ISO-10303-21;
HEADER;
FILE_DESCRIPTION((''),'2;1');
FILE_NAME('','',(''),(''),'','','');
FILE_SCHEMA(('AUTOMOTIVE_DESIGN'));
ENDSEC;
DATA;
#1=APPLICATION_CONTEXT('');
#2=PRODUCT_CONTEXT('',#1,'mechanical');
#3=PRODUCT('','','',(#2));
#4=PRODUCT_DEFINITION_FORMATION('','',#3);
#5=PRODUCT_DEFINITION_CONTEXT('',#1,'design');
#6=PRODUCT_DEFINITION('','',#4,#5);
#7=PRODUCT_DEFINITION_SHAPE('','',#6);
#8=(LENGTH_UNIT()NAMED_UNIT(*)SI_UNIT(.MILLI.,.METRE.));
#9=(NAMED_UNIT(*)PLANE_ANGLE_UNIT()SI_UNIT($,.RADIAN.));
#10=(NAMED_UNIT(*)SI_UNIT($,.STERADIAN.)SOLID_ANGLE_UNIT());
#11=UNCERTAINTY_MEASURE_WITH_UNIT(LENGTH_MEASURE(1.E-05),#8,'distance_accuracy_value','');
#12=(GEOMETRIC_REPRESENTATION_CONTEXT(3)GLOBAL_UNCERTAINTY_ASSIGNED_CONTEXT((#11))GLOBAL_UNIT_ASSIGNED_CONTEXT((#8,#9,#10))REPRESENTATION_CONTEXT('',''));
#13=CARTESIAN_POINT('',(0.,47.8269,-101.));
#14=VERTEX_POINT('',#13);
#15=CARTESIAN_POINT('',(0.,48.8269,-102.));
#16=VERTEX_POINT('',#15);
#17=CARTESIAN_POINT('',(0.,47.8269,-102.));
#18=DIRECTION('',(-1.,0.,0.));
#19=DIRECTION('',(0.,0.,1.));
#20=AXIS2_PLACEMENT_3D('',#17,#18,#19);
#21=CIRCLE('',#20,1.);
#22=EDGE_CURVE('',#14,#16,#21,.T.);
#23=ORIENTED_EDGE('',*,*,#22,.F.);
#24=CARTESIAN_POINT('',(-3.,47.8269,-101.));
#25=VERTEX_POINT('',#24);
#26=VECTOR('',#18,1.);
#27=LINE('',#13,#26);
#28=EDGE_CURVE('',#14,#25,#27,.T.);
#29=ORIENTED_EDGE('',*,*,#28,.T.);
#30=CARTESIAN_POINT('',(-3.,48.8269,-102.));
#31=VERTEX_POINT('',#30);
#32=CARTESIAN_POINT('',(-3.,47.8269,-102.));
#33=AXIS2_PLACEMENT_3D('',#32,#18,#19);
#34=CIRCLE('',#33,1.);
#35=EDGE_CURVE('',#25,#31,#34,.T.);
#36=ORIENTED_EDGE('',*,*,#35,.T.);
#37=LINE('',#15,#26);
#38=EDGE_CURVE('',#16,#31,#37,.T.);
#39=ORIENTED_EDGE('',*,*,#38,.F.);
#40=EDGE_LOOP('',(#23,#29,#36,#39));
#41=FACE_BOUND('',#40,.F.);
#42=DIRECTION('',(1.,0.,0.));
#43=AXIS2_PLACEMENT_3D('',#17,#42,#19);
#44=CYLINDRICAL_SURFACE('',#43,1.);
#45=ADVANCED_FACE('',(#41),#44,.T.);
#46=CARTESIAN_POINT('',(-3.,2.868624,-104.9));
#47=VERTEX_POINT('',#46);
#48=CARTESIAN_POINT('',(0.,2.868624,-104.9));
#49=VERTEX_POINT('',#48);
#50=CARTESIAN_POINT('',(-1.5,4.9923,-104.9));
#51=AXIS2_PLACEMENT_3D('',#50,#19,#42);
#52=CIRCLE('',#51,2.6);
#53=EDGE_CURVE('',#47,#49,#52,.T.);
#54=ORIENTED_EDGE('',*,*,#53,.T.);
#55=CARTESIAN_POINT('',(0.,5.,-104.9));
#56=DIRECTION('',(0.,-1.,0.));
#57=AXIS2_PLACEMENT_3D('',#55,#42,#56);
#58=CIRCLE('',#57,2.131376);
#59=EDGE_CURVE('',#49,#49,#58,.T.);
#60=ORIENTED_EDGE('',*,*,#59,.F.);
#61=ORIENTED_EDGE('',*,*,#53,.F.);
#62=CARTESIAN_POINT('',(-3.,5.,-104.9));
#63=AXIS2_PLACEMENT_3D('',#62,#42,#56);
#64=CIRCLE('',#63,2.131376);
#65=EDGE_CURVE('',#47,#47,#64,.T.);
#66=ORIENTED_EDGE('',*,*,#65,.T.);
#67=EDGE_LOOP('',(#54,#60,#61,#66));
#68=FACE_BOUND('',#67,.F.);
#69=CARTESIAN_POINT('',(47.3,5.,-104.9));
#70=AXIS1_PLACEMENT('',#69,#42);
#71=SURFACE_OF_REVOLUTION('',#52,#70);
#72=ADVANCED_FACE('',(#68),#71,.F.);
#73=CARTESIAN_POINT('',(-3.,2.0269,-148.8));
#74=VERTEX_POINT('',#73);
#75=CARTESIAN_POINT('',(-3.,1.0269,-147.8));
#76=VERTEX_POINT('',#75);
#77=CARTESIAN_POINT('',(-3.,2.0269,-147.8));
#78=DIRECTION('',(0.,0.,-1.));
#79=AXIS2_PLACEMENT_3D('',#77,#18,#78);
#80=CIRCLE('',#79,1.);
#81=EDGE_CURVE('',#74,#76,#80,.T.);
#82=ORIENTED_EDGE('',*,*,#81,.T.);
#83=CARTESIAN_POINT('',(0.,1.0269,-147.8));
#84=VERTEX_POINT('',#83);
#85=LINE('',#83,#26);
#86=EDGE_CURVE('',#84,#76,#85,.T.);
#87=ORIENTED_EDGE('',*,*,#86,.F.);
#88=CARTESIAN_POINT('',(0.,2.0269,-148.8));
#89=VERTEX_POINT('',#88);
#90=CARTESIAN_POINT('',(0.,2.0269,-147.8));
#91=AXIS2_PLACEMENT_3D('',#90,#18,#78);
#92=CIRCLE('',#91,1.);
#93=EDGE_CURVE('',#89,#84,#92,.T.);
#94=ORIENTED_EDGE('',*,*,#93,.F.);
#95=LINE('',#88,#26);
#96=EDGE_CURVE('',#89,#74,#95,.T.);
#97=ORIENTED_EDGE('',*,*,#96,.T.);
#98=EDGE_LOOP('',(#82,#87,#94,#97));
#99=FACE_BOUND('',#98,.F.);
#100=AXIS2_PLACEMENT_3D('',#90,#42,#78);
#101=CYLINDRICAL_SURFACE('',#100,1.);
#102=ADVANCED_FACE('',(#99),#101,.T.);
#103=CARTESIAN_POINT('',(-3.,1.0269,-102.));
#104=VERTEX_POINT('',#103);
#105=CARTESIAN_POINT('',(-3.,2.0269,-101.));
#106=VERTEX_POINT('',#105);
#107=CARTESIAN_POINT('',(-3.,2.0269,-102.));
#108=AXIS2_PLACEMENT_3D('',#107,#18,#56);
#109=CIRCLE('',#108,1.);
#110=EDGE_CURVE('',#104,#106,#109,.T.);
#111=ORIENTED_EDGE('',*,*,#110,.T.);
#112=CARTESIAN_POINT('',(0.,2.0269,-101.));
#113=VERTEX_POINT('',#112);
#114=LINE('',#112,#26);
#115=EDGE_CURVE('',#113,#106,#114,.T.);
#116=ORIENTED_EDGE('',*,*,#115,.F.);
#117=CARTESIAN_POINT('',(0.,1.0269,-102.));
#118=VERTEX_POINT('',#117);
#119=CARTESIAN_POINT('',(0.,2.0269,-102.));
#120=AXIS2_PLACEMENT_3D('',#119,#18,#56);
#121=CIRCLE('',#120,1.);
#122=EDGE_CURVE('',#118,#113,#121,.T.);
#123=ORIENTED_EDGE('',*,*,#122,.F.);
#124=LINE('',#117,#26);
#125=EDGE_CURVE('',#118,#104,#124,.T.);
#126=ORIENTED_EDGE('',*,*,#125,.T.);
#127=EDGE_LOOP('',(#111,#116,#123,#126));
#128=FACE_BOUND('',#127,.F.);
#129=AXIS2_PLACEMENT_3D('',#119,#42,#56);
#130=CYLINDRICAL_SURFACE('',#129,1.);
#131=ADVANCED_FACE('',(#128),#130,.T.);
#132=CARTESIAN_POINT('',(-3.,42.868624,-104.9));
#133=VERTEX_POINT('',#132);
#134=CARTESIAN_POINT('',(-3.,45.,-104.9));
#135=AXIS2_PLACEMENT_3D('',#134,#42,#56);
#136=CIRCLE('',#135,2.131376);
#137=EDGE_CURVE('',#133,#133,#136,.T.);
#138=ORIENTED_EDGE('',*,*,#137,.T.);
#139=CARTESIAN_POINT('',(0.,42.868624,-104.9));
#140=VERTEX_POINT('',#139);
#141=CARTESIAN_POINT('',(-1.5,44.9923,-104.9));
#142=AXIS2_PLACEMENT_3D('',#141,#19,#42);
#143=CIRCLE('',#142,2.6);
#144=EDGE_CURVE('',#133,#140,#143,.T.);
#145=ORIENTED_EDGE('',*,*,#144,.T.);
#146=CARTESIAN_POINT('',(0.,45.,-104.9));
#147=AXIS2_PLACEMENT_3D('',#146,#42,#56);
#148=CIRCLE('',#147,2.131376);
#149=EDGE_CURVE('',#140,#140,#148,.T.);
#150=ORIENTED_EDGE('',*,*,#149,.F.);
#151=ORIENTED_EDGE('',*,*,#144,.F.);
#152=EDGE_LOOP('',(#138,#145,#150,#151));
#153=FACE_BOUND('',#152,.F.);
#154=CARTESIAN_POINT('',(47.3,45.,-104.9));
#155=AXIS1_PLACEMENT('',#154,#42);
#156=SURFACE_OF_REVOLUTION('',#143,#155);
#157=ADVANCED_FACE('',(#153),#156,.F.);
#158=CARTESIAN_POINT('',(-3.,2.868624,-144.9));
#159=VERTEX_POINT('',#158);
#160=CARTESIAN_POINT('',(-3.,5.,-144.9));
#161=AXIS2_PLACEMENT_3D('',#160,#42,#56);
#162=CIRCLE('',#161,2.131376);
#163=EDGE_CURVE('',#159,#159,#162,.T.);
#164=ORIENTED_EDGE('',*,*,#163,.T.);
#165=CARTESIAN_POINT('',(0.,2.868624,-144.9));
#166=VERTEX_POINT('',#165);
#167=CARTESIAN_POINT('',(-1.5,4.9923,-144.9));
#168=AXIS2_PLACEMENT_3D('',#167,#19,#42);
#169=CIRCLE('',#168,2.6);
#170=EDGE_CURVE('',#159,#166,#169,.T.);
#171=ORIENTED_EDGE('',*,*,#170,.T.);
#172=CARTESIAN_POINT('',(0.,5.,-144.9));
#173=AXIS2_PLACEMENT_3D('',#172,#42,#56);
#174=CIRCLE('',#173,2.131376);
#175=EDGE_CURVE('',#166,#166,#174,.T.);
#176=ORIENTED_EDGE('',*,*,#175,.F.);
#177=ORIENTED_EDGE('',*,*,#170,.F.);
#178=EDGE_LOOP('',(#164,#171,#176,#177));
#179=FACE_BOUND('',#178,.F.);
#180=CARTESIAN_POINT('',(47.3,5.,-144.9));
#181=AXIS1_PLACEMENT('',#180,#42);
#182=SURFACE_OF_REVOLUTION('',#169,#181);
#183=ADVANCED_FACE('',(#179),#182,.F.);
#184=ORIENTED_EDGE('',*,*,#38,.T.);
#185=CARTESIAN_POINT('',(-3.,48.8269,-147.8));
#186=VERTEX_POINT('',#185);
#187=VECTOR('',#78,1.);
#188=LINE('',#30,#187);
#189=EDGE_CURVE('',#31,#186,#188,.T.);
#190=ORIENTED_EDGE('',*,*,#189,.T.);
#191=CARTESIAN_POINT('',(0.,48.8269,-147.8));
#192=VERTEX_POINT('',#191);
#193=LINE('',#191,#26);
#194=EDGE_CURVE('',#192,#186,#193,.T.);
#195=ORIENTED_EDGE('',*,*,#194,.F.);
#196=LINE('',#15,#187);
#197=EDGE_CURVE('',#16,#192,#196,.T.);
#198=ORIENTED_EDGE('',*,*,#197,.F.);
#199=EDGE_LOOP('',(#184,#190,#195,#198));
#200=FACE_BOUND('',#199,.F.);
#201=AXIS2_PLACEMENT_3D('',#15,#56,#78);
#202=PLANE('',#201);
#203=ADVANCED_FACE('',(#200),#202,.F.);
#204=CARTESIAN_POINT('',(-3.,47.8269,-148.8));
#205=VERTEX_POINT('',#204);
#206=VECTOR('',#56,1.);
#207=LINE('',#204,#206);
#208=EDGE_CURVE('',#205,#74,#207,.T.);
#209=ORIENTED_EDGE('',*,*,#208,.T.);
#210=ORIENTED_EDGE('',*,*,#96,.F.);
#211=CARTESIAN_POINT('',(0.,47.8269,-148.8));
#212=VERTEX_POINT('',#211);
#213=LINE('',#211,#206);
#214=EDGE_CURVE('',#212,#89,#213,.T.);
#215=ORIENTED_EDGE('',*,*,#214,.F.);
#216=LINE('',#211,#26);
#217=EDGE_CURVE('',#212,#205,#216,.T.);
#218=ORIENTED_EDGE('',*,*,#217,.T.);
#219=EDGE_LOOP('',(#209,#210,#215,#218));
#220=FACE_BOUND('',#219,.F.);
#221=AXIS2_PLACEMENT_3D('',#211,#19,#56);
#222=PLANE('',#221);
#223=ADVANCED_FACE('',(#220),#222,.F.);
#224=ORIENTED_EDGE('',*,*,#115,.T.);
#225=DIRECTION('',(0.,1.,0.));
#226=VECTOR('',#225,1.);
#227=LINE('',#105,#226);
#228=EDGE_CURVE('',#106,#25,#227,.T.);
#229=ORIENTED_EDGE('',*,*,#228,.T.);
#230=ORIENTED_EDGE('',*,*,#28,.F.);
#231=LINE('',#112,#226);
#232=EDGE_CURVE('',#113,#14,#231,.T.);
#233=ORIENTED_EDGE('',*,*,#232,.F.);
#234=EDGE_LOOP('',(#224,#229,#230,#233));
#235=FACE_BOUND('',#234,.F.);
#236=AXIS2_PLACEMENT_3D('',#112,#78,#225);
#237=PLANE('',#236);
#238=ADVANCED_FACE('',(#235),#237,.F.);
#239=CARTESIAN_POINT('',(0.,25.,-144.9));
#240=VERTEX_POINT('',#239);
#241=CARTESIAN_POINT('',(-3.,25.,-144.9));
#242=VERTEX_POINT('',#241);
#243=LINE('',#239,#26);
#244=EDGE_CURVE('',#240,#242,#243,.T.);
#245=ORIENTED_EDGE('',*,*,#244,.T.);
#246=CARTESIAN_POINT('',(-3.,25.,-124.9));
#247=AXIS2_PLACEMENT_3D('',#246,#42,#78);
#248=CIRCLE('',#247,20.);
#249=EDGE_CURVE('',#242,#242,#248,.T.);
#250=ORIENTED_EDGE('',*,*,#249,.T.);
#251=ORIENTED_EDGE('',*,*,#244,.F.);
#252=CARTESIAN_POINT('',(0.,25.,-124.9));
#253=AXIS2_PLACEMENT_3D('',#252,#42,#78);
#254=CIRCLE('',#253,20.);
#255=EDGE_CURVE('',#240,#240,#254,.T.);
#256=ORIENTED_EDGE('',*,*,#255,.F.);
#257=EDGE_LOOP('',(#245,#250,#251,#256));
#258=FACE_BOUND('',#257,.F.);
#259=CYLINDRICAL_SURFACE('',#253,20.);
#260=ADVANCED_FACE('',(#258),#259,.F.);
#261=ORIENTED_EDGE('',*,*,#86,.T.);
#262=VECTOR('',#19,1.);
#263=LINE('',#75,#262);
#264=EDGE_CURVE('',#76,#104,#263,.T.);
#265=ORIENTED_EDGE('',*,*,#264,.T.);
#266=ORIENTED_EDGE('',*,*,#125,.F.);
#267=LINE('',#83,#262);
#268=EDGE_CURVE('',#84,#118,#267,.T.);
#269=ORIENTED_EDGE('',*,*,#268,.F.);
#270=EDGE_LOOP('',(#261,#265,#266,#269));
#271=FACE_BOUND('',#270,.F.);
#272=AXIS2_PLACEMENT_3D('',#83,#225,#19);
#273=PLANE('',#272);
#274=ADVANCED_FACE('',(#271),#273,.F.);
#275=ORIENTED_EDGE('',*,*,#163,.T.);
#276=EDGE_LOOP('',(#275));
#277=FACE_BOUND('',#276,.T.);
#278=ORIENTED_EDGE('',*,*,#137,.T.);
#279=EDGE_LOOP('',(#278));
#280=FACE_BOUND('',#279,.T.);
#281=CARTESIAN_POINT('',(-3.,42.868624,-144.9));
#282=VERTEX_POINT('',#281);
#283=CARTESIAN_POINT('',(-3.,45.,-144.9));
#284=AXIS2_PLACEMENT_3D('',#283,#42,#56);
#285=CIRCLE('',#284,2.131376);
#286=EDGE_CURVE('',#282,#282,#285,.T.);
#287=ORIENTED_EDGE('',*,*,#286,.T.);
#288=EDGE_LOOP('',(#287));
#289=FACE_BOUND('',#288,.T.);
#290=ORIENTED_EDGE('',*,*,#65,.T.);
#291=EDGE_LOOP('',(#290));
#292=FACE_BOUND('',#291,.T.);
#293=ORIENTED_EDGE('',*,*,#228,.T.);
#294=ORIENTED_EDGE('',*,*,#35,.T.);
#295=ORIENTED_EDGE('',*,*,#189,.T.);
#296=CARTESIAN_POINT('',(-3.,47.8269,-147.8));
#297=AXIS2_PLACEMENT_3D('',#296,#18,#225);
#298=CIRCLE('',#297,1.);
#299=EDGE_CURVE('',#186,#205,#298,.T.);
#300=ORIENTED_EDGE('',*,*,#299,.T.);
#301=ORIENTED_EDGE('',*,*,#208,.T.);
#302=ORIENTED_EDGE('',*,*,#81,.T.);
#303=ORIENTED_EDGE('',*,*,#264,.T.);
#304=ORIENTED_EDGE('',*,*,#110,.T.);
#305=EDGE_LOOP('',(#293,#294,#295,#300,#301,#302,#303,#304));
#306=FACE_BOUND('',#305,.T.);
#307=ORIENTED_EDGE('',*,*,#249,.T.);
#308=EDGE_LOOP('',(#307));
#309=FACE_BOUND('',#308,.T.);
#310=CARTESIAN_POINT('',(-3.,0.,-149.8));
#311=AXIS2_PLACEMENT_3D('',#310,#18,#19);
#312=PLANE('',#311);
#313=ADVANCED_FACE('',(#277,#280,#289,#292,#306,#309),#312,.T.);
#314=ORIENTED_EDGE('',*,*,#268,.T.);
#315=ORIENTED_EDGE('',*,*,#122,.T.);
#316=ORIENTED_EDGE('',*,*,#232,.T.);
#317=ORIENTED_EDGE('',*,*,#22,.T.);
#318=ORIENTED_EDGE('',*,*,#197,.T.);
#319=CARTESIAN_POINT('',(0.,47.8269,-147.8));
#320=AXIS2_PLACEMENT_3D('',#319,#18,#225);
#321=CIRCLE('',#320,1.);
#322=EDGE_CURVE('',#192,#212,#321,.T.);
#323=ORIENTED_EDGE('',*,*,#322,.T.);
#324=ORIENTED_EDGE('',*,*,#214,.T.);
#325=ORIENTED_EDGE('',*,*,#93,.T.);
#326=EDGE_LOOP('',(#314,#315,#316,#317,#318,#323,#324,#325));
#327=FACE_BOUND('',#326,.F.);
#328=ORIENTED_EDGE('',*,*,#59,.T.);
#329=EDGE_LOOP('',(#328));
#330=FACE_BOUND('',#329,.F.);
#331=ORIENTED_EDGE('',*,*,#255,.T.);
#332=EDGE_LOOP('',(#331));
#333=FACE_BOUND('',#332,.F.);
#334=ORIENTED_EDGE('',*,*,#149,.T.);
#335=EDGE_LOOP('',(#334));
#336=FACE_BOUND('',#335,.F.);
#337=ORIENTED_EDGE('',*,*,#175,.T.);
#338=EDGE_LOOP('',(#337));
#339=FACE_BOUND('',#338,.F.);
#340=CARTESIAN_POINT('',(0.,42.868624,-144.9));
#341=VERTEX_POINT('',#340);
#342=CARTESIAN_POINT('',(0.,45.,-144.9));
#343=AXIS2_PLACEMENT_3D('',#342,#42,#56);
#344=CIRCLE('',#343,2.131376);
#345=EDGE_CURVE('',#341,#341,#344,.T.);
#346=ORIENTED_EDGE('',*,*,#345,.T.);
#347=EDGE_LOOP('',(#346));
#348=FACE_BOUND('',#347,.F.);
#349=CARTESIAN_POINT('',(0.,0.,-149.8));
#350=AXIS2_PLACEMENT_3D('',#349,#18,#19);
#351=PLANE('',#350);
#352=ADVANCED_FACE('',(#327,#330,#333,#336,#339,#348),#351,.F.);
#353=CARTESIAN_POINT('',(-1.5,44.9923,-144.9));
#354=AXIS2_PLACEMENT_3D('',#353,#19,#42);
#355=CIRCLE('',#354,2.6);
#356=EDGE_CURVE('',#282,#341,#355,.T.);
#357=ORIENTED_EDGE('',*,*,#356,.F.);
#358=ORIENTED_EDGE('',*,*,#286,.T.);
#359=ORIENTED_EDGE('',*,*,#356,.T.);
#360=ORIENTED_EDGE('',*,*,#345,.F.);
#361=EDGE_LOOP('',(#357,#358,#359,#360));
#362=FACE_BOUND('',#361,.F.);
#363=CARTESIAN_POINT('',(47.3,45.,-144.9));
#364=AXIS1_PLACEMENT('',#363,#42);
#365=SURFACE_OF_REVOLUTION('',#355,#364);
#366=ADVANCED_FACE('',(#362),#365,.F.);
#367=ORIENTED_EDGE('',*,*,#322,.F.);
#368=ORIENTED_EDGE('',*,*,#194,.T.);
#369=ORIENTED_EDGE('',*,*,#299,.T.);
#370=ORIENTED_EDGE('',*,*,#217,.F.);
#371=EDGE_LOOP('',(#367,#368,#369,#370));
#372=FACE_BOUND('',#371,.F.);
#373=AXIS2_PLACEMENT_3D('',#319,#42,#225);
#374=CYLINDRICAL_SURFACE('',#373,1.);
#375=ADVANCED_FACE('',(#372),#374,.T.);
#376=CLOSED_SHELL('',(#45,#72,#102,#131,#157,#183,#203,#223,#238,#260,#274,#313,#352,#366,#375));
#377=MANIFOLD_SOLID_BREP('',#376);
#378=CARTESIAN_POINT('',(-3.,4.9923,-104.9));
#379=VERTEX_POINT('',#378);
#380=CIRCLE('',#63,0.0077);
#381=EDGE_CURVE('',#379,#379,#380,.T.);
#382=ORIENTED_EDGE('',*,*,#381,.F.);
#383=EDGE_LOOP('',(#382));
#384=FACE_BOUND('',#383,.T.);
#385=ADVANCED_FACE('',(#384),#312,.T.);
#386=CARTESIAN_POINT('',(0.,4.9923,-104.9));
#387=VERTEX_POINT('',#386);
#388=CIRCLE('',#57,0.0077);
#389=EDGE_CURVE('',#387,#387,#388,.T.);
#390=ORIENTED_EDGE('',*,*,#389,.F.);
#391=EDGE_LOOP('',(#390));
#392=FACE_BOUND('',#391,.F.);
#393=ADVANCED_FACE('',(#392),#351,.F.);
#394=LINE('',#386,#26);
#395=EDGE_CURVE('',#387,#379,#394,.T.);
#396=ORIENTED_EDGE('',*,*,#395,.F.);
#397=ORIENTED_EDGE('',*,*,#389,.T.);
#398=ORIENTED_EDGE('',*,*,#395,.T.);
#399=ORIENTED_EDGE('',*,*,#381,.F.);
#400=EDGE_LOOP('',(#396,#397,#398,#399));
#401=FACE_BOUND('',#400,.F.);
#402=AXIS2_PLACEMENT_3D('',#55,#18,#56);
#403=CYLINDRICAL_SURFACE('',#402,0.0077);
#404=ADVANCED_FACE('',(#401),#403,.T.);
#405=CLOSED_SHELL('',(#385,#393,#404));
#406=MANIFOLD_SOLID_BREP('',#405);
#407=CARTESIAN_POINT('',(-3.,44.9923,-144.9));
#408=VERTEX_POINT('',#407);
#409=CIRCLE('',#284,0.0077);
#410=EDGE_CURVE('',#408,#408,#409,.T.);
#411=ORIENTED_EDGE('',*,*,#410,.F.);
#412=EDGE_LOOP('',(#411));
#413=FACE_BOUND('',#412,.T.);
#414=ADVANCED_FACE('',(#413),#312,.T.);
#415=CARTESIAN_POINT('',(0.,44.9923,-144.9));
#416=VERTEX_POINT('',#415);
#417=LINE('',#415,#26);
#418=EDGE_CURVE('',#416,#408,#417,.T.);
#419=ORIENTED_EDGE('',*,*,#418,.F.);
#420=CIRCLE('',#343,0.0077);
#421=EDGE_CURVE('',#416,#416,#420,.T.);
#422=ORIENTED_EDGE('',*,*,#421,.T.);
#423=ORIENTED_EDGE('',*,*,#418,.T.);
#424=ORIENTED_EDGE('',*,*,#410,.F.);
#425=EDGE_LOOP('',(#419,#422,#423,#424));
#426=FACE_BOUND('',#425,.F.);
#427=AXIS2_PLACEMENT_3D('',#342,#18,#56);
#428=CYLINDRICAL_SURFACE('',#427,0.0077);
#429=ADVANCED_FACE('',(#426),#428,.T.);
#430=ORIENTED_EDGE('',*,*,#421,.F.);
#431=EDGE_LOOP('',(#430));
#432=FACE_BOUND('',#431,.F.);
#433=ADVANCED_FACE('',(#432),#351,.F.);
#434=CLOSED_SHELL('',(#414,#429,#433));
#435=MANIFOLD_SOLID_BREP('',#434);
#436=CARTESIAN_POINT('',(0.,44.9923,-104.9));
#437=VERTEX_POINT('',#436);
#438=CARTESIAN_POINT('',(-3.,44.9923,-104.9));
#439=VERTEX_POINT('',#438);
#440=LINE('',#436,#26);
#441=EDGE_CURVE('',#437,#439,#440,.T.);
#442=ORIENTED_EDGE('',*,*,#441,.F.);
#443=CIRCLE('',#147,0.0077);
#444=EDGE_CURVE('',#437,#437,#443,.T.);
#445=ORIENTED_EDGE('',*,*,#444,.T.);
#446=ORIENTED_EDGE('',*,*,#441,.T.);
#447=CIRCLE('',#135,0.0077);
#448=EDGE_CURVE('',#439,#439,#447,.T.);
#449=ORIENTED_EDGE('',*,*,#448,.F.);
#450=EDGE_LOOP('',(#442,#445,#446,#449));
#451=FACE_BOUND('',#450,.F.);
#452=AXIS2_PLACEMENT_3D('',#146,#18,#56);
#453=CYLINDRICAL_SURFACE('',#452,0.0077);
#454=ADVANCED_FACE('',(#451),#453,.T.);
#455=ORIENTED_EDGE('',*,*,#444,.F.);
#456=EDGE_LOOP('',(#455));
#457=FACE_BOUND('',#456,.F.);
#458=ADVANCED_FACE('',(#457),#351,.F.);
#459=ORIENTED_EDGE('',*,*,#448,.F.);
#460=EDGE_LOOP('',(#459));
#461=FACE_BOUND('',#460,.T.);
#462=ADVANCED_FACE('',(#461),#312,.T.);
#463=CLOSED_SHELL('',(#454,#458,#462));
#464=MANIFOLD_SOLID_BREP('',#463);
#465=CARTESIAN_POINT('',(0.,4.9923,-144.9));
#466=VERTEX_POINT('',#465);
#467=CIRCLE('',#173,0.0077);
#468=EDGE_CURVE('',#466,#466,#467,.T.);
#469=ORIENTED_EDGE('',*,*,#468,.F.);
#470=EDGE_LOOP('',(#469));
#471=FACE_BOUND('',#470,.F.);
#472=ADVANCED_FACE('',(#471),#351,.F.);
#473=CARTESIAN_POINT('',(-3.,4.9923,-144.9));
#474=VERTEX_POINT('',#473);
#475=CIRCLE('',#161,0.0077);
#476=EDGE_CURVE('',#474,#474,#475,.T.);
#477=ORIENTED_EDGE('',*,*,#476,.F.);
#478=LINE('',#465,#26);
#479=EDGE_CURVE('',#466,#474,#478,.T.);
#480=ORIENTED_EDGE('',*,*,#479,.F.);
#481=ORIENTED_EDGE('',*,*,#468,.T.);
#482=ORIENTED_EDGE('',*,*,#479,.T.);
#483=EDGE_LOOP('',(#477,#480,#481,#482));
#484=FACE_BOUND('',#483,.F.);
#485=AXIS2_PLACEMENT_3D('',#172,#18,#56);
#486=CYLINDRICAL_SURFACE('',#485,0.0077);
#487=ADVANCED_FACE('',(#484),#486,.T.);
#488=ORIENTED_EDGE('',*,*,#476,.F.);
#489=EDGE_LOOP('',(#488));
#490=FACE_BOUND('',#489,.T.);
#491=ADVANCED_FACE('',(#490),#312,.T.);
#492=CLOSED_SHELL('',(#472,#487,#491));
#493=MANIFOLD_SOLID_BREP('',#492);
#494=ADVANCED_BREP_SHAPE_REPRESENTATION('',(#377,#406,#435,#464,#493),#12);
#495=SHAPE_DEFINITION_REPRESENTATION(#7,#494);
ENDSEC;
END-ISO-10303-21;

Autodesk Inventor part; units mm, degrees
ref_plane "YZ Plane" through (0, 0, 0) normal (1, 0, 0) x (0, 1, 0)
ref_plane "XZ Plane" through (0, 0, 0) normal (0, 1, 0) x (-1, 0, 0)
ref_plane "XY Plane" through (0, 0, 0) normal (0, 0, 1) x (1, 0, 0)
ref_plane "Arbeitsebene1" through (0, 0, -149.8) normal (-1, 0, 0) x (0, 0, 1)
sketch "Skizze1" plane through (0, 0, -149.8) normal (-1, 0, 0) x (0, 0, 1)
  circle A0 centre (44.9, 5) radius 1.5 construction
  circle A1 centre (4.9, 5) radius 1.5 construction
  circle A2 centre (4.9, 45) radius 1.6 construction
  circle A3 centre (44.9, 45) radius 1.6 construction
  line L0 (39.5269, 16.1776) -> (39.5269, 39.7) construction
  line L1 (16.0815, 10.3) -> (33.7185, 10.3) construction
  line L2 (10.2731, 16.1776) -> (10.2731, 39.7) construction
  circle A4 centre (24.9, 24.9269) radius 14.6269 construction
  line L3 (2, 49.8269) -> (47.8, 49.8269)
  line L4 (49.8, 47.8269) -> (49.8, 2.0269)
  line L5 (47.8, 0.0269) -> (2, 0.0269)
  line L6 (0, 2.0269) -> (0, 47.8269)
  line L7 (0, 49.8269) -> (49.8, 0.0269) construction
  line L8 (49.8, 49.8269) -> (0, 0.0269) construction
  arc A5 (47.8, 0.0269) -> (49.8, 2.0269) centre (47.8, 2.0269) ccw
  arc A6 (0, 2.0269) -> (2, 0.0269) centre (2, 2.0269) ccw
  arc A7 (2, 49.8269) -> (0, 47.8269) centre (2, 47.8269) ccw
  arc A8 (49.8, 47.8269) -> (47.8, 49.8269) centre (47.8, 47.8269) ccw
  line L9 (2, 1.0269) -> (47.8, 1.0269)
  arc A9 (47.8, 1.0269) -> (48.8, 2.0269) centre (47.8, 2.0269) ccw
  line L10 (48.8, 2.0269) -> (48.8, 47.8269)
  arc A10 (48.8, 47.8269) -> (47.8, 48.8269) centre (47.8, 47.8269) ccw
  line L11 (47.8, 48.8269) -> (2, 48.8269)
  arc A11 (2, 48.8269) -> (1, 47.8269) centre (2, 47.8269) ccw
  line L12 (1, 47.8269) -> (1, 2.0269)
  arc A12 (1, 2.0269) -> (2, 1.0269) centre (2, 2.0269) ccw
  point P0 (149.8, 0)
extrude "Extrusion1" add sketch "Skizze1" along normal blind 3 contours A12 L12 A11 L11 A10 L10 A9 L9
ref_plane "Arbeitsebene2" through (0, 5, -104.9) normal (0, 0, 1) x (1, 0, 0)
sketch "Skizze2" plane through (0, 5, -104.9) normal (0, 0, 1) x (1, 0, 0)
  line L0 (0, 5.3) -> (7, 5.3) projected
  line L1 (0, 8.3139) -> (7.3731, 8.3139)
  line L2 (0, -2.9731) -> (0, 42.8269) projected
  line L3 (0, 6.807) -> (-3, 6.807)
  line L4 (-3, -2.9731) -> (-3, 42.8269) projected
  circle A0 centre (-1.5, 6.807) radius 2.6
  line L5 (1.1, 6.807) -> (-4.1, 6.807)
  line L6 (0, 1.6861) -> (7.3731, 1.6861)
  line L7 (2.4, -2.5) -> (8, -2.5) projected
  line L8 (15, -1.5) -> (6.4, -1.5)
  line L9 (10.2731, 1.5) -> (6.4, 1.5)
  line L10 (0, -0.0077) -> (-3, -0.0077)
  circle A1 centre (-1.5, -0.0077) radius 2.6
  line L11 (1.1, -0.0077) -> (-4.1, -0.0077)
  line L12 (-7.92, 0) -> (18.82, 0) projected
  point P0 (0, -5)
  point P1 (0, 1.4993)
  dimension "d6" = 1.507
  dimension "d7" = 5.2
  dimension "d9" = 5.2
revolve "Umdrehung2" cut sketch "Skizze2" angle 360 about axis through (47.3, 5, -104.9) along (1, 0, 0) contours L11 A1 L2 | L2 A1 L4 L10 | L4 A1 L11
pattern_linear "Rechteckige Anordnung1" count 2 spacing 40 along (0, 1, 0) count 2 spacing 40 along (0, 0, -1) of "Umdrehung2"
sketch "Skizze3" plane through (0, 0, -149.8) normal (1, 0, 0) x (0, 0, -1)
  point P0 (-149.8, 0)
sketch "Skizze4" plane through (0, 0, -149.8) normal (1, 0, 0) x (0, 0, -1)
  circle A0 centre (-24.9, 25) radius 11.45
  circle A1 centre (-24.9, 25) radius 20
  point P0 (-149.8, 0)
  dimension "d21" = 40
extrude "Extrusion2" cut sketch "Skizze4" against normal blind 10 contours A0 | A1
properties part number "30_Adapterplate_Eyepiece"
